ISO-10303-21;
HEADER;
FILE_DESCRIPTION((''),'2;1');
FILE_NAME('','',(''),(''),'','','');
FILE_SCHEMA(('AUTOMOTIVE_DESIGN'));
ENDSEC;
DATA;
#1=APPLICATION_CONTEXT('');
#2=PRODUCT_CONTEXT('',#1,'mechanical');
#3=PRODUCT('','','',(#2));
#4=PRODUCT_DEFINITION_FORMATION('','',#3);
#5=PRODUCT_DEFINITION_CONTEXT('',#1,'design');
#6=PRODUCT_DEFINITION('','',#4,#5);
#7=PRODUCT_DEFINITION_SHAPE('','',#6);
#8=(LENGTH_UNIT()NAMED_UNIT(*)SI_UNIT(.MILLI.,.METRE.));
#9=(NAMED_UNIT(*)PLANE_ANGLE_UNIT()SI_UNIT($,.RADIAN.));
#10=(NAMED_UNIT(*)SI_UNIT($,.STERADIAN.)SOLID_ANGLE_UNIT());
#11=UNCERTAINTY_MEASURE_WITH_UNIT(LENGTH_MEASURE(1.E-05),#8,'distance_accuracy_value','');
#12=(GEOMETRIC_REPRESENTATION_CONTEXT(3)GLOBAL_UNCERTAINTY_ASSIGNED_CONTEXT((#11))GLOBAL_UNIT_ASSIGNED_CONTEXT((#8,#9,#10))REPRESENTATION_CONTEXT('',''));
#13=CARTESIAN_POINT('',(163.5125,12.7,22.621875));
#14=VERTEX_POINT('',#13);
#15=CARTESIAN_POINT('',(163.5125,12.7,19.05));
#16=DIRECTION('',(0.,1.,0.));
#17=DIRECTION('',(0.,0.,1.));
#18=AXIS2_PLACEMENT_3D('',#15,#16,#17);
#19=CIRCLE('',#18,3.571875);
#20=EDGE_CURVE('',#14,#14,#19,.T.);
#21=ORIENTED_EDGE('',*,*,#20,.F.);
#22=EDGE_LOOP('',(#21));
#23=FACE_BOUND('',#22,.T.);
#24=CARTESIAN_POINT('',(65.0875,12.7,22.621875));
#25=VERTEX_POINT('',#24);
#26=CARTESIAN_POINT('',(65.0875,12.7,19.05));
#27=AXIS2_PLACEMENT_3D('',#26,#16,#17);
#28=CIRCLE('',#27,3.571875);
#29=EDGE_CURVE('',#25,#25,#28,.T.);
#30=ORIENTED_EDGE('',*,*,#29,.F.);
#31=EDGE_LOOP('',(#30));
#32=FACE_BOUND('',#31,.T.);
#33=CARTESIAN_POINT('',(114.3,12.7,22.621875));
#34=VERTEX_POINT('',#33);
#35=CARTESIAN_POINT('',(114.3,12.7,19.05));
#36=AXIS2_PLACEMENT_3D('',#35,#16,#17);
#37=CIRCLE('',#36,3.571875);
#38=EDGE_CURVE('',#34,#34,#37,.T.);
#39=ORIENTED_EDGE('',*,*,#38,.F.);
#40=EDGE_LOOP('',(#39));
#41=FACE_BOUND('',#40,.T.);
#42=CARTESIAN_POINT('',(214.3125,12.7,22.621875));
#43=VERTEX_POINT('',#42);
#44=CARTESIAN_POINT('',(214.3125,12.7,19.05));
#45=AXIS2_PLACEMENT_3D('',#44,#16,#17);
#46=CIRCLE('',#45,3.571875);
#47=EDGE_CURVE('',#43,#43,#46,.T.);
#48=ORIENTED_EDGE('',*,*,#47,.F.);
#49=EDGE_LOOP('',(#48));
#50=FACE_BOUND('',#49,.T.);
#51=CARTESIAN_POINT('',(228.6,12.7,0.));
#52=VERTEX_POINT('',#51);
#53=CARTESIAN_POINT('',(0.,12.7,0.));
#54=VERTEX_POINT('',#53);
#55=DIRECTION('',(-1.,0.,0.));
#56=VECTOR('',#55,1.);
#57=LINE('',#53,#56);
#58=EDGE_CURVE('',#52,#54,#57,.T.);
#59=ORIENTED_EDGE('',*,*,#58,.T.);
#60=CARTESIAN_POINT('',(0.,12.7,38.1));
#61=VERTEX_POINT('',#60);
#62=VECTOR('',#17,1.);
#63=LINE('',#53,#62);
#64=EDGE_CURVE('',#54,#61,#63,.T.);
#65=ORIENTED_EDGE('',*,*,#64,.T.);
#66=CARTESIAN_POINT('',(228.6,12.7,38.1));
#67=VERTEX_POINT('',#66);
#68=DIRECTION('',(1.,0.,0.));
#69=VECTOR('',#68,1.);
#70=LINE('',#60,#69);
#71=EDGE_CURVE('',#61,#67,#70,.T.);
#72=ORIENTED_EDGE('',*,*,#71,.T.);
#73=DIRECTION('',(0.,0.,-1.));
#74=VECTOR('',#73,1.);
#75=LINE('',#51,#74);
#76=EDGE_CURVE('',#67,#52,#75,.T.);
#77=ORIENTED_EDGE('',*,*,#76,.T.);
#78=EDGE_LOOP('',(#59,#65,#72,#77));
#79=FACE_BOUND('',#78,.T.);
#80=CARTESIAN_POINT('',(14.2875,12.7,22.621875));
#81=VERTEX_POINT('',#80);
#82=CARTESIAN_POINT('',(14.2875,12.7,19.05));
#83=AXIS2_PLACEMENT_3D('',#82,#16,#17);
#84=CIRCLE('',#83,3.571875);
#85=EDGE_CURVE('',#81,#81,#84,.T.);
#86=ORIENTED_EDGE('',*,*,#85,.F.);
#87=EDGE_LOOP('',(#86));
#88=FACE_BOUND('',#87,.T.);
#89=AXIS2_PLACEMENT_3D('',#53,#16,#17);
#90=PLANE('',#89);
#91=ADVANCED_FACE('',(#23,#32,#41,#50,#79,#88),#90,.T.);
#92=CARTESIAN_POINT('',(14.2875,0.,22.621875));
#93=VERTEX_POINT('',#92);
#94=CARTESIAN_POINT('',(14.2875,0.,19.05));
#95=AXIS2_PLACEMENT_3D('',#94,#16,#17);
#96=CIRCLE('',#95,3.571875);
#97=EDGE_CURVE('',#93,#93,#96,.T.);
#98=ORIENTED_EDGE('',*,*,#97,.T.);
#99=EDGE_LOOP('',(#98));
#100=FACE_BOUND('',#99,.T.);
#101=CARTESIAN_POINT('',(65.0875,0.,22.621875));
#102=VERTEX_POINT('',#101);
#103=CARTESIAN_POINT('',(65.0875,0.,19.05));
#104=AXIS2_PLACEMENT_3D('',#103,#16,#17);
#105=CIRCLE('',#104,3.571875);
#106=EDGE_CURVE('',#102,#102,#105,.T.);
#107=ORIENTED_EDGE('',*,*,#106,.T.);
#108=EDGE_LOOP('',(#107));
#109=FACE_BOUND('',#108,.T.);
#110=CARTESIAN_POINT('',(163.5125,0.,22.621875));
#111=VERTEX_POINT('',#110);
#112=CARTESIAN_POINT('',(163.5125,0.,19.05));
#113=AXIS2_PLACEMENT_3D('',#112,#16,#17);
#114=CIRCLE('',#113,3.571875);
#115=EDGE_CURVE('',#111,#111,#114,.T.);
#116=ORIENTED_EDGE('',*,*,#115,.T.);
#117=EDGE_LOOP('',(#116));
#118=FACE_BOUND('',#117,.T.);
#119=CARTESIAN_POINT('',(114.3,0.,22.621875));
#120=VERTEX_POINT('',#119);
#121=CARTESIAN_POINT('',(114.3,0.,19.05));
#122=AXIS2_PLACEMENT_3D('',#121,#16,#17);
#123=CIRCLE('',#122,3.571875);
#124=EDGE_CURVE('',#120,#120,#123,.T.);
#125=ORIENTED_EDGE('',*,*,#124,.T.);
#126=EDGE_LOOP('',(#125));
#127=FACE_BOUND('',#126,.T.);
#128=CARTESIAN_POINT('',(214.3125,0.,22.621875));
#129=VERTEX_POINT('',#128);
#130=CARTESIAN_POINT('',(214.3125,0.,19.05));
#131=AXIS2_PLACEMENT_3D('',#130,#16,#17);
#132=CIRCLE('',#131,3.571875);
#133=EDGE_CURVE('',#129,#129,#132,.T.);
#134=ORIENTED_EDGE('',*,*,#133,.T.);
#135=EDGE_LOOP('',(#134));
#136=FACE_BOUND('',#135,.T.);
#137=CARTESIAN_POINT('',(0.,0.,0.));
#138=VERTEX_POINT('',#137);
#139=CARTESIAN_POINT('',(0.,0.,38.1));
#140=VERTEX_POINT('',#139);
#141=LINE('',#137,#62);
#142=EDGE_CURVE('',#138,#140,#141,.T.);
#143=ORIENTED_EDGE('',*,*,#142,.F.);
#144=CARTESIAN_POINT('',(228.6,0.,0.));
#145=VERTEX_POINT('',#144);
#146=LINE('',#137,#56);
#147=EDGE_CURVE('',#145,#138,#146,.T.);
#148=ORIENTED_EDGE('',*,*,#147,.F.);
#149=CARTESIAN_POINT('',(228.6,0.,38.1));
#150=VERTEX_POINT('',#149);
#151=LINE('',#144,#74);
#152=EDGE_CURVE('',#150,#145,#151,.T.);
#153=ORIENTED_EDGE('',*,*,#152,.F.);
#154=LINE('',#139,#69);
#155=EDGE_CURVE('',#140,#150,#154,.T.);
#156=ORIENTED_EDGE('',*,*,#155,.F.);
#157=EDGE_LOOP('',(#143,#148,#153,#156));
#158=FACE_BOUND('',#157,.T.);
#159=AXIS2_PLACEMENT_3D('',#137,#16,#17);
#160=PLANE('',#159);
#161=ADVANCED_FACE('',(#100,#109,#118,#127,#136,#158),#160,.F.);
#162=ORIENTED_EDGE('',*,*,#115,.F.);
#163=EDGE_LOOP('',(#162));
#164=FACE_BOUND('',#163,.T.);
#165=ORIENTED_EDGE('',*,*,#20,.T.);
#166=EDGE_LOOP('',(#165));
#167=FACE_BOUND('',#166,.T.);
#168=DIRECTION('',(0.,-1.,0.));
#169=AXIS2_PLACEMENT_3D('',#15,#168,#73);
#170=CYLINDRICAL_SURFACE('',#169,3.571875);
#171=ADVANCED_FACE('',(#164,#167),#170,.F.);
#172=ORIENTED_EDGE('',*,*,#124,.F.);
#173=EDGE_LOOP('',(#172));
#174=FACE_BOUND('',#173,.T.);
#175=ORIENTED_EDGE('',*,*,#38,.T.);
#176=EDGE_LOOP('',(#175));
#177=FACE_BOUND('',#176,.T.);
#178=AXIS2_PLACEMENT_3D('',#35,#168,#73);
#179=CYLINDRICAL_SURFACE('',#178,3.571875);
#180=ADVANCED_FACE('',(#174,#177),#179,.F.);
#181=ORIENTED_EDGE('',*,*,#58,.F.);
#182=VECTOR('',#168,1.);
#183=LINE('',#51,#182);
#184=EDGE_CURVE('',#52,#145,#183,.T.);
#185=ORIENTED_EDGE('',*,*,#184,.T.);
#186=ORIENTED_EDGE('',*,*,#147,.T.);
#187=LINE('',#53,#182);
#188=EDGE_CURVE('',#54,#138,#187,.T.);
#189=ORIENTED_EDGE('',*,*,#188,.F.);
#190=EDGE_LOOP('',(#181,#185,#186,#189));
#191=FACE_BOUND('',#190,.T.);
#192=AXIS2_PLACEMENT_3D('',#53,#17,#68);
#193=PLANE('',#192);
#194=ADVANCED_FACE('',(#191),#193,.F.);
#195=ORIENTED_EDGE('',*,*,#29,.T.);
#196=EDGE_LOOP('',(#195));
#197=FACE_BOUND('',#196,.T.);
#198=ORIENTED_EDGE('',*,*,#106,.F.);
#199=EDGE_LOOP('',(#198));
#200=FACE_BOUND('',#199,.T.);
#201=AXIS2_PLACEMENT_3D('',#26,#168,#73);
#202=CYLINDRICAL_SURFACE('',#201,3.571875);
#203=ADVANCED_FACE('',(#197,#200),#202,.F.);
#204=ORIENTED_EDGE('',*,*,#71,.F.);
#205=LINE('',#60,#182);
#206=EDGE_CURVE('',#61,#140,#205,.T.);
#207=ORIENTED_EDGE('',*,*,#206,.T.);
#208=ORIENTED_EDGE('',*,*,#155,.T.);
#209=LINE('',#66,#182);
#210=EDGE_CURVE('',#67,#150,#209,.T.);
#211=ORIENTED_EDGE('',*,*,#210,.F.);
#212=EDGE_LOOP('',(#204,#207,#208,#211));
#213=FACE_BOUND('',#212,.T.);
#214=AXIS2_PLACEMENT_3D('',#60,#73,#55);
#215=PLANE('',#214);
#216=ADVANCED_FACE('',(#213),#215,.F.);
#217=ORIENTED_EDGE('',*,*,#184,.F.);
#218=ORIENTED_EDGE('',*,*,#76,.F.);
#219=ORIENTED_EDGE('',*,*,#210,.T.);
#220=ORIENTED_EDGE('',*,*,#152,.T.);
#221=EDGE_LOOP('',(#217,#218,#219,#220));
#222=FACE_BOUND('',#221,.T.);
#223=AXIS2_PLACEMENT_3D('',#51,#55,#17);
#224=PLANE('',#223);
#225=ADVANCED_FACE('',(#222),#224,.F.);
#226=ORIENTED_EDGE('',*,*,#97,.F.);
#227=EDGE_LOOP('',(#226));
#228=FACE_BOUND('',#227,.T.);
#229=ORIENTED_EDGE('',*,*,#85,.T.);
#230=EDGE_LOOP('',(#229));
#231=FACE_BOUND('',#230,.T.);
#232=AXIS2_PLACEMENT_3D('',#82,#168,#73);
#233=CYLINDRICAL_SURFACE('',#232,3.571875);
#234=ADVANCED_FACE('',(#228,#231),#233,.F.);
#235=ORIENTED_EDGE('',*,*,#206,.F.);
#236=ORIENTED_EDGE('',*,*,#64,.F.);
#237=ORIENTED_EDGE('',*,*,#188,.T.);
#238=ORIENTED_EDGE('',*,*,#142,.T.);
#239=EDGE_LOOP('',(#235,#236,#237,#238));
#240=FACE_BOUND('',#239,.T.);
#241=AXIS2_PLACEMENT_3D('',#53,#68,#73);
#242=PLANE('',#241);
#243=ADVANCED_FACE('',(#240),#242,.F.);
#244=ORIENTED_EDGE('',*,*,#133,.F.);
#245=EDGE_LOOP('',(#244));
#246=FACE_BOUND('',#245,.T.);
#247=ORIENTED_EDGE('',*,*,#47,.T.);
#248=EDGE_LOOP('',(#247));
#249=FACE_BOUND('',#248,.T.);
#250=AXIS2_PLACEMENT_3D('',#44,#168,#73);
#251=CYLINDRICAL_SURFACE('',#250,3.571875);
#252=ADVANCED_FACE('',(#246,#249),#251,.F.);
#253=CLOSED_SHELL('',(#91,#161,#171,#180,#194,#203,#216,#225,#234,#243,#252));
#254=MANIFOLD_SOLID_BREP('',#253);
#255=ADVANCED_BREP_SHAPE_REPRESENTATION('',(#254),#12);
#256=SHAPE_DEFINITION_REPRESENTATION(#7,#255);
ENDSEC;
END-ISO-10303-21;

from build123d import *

# Parameters (mm, degrees)
SKETCH1_W           = 228.6
SKETCH1_H           = 38.1
SKETCH1_R           = 3.571875
BOSS_EXTRUDE1_DEPTH = 12.7


with BuildPart() as part:
    # Sketch1 → Boss-Extrude1 (new body)
    with BuildSketch(Plane(origin=(0, 0, 0), x_dir=(1, 0, 0), z_dir=(0, 1, 0))):
        with Locations((114.3, -19.05)):
            Rectangle(SKETCH1_W, SKETCH1_H)
        with Locations(Location((14.2875, -19.05, 0), (0, 0, 270))):
            Circle(SKETCH1_R, mode=Mode.SUBTRACT)
        with Locations(Location((65.0875, -19.05, 0), (0, 0, 270))):
            Circle(SKETCH1_R, mode=Mode.SUBTRACT)
        with Locations(Location((114.3, -19.05, 0), (0, 0, 270))):
            Circle(SKETCH1_R, mode=Mode.SUBTRACT)
        with Locations(Location((163.5125, -19.05, 0), (0, 0, 270))):
            Circle(SKETCH1_R, mode=Mode.SUBTRACT)
        with Locations(Location((214.3125, -19.05, 0), (0, 0, 270))):
            Circle(SKETCH1_R, mode=Mode.SUBTRACT)
    extrude(amount=BOSS_EXTRUDE1_DEPTH)


solid = part.part
